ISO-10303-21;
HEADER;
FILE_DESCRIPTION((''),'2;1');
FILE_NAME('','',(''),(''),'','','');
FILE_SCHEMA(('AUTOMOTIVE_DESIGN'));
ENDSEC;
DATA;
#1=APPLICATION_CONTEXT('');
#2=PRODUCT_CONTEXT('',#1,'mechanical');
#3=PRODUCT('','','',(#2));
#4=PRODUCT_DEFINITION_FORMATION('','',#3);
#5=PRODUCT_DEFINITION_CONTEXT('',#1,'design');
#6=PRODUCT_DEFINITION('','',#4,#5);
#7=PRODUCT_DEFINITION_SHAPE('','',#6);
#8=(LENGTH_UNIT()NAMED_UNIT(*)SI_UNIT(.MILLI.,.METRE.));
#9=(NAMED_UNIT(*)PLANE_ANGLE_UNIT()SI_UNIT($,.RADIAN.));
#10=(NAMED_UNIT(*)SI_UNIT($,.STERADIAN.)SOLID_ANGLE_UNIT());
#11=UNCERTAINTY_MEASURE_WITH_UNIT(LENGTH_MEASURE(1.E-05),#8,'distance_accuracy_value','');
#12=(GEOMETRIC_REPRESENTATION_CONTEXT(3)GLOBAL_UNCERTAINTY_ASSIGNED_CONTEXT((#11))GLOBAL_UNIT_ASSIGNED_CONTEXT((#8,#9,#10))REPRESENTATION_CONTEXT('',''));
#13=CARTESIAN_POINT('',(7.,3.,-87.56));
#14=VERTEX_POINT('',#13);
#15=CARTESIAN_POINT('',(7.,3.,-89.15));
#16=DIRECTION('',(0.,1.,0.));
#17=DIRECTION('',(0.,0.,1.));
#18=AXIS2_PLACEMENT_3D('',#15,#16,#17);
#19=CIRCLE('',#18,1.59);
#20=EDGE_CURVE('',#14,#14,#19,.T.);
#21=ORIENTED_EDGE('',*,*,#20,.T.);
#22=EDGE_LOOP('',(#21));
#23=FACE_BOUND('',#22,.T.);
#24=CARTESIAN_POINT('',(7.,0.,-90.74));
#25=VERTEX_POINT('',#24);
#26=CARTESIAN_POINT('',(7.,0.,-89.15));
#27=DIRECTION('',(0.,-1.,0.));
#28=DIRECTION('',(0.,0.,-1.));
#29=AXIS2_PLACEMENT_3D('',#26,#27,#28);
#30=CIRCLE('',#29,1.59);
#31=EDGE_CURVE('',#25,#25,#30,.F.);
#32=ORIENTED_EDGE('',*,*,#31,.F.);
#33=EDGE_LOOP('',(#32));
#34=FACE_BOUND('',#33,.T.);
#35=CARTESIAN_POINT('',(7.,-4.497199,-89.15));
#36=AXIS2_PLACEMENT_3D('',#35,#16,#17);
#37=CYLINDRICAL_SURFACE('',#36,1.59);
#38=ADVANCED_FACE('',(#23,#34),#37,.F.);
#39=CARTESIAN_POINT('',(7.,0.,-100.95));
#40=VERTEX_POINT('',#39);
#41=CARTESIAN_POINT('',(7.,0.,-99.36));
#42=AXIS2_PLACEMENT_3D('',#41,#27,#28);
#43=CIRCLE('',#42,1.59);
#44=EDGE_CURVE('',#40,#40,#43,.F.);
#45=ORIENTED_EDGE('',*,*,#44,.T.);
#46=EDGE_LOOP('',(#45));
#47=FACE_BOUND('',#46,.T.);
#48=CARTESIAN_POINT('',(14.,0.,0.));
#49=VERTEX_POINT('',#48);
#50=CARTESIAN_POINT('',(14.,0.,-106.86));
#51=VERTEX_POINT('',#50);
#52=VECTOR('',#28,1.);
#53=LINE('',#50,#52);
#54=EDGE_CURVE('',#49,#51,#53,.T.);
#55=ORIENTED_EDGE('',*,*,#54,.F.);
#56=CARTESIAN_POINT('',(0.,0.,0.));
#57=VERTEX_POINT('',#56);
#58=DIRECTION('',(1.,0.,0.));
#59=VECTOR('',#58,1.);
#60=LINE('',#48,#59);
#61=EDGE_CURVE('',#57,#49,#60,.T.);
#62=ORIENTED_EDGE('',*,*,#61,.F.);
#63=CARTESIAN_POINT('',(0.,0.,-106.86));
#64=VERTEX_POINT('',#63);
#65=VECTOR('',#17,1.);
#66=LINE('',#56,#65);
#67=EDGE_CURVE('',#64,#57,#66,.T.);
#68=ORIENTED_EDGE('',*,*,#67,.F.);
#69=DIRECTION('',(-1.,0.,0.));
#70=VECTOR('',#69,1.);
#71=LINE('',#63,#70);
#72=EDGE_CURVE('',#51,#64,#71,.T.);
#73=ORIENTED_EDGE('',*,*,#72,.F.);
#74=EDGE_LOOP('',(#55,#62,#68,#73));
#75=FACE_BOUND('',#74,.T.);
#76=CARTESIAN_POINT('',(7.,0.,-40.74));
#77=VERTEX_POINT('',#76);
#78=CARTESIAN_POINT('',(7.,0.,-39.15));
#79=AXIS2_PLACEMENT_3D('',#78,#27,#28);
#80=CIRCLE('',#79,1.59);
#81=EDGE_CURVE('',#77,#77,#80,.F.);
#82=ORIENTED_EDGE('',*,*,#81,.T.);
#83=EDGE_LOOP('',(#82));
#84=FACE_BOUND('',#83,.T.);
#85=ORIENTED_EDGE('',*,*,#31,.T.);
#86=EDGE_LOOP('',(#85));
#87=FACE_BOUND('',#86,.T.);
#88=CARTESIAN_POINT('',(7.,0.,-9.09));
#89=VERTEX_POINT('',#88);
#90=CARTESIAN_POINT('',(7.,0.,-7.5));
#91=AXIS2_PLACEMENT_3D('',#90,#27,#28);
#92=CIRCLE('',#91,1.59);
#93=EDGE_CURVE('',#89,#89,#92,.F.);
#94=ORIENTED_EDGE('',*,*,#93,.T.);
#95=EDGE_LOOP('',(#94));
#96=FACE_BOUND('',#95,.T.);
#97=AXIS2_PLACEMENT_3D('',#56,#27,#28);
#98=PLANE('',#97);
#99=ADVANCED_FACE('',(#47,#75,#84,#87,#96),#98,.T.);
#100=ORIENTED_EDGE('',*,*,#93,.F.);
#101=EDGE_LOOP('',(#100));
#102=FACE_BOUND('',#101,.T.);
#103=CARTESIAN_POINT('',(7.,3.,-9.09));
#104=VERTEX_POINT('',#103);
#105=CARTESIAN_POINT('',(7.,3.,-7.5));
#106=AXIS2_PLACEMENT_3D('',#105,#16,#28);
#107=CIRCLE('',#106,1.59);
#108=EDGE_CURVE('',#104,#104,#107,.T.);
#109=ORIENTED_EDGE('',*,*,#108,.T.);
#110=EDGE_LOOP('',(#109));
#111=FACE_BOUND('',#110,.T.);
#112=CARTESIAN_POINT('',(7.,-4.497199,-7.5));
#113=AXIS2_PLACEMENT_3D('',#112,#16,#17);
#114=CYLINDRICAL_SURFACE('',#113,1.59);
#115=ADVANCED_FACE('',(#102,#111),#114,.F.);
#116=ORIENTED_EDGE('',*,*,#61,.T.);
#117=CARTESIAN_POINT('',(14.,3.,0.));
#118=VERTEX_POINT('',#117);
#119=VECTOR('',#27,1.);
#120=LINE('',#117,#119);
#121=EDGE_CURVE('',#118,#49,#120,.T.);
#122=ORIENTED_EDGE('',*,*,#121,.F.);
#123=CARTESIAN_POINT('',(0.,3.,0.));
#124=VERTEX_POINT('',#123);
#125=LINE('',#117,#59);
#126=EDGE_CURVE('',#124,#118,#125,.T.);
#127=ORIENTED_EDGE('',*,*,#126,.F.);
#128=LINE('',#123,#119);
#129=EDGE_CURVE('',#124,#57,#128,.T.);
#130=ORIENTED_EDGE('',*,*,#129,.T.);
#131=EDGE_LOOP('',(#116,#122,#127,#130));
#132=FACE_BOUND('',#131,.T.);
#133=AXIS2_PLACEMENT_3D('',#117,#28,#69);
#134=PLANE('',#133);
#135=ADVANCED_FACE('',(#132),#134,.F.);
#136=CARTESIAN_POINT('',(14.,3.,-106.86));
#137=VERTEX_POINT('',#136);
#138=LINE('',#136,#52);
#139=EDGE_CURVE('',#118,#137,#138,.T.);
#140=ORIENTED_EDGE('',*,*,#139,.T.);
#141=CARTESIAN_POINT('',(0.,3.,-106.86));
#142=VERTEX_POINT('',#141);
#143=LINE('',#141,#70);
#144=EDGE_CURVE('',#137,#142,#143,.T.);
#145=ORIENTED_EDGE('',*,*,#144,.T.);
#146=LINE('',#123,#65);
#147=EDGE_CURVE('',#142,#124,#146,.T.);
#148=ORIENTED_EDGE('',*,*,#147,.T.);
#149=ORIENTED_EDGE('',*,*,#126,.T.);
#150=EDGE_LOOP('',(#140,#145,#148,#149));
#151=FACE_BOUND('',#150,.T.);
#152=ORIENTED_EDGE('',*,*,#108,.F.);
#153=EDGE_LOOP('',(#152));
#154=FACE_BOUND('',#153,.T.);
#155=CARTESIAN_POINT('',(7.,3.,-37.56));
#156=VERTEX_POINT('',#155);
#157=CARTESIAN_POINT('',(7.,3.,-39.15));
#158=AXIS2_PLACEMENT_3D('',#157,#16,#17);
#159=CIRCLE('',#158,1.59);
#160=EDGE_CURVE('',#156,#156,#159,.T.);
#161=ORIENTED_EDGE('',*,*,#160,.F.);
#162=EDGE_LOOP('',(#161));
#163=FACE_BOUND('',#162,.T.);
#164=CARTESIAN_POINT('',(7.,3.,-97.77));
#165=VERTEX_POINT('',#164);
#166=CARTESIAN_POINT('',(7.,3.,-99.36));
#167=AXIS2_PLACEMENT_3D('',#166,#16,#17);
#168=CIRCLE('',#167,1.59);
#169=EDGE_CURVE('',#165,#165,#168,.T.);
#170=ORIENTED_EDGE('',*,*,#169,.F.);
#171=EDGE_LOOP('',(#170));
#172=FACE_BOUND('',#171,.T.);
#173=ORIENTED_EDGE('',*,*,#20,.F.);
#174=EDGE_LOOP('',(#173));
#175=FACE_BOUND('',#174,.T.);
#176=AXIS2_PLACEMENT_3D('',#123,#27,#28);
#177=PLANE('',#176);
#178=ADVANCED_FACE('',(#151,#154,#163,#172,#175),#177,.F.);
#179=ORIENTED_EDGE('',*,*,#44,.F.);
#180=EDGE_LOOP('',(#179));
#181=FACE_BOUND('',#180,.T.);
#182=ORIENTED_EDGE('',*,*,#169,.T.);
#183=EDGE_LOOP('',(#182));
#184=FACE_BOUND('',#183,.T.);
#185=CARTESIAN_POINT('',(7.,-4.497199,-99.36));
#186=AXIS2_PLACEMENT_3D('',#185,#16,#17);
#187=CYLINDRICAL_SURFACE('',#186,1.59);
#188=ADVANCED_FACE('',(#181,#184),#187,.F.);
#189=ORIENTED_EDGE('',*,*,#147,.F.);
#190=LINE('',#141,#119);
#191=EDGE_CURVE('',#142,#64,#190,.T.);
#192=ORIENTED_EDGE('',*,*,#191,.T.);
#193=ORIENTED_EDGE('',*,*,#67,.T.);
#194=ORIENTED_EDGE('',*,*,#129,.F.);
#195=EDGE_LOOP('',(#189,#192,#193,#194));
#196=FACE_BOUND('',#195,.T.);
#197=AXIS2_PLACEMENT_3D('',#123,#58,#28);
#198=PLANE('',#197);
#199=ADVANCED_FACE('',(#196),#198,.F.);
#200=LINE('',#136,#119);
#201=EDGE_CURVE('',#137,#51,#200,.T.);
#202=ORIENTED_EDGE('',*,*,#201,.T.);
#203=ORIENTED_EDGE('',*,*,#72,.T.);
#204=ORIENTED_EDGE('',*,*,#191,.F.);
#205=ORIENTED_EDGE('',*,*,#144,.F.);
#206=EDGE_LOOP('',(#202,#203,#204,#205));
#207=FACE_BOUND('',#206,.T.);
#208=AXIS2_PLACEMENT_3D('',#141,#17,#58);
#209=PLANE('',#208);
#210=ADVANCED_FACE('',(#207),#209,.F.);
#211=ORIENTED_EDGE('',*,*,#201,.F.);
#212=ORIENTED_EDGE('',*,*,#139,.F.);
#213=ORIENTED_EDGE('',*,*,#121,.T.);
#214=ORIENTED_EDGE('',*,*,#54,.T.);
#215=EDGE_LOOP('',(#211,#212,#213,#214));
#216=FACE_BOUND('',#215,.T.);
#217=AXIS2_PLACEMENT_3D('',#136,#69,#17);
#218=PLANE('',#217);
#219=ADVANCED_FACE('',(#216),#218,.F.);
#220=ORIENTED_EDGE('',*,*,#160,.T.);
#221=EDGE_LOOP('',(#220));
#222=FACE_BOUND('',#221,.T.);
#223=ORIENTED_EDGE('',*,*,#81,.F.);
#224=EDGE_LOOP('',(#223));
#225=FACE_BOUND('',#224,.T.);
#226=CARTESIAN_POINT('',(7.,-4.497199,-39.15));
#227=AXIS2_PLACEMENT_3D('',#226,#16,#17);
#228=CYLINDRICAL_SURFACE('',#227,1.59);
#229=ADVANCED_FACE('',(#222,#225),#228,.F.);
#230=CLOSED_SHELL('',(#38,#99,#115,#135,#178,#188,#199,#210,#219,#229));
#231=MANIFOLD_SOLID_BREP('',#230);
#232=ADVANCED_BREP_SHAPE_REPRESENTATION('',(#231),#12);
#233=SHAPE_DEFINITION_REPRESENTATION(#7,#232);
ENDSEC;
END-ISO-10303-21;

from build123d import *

# Parameters (mm, degrees)
SKETCH1_W      = 14
SKETCH1_H      = 106.86
EXTRUDE1_DEPTH = 3
SKETCH3_R      = 1.59
EXTRUDE3_DEPTH = 3


with BuildPart() as part:
    # Sketch1 → Extrude1 (new body)
    with BuildSketch(Plane(origin=(0, 0, 0), x_dir=(1, 0, 0), z_dir=(0, 1, 0))):
        with Locations((7, 53.43)):
            Rectangle(SKETCH1_W, SKETCH1_H)
    extrude(amount=EXTRUDE1_DEPTH)

    # Sketch3 → Extrude3 (cut)
    with BuildSketch(Plane(origin=(0, 3, 0), x_dir=(1, 0, 0), z_dir=(0, 1, 0))):
        with Locations(Location((7, 99.36, 0), (0, 0, 270))):
            Circle(SKETCH3_R)
        with Locations(Location((7, 7.5, 0), (0, 0, 90))):
            Circle(SKETCH3_R)
        with Locations(Location((7, 89.15, 0), (0, 0, 270))):
            Circle(SKETCH3_R)
        with Locations(Location((7, 39.15, 0), (0, 0, 270))):
            Circle(SKETCH3_R)
    extrude(amount=-EXTRUDE3_DEPTH, mode=Mode.SUBTRACT)


solid = part.part
